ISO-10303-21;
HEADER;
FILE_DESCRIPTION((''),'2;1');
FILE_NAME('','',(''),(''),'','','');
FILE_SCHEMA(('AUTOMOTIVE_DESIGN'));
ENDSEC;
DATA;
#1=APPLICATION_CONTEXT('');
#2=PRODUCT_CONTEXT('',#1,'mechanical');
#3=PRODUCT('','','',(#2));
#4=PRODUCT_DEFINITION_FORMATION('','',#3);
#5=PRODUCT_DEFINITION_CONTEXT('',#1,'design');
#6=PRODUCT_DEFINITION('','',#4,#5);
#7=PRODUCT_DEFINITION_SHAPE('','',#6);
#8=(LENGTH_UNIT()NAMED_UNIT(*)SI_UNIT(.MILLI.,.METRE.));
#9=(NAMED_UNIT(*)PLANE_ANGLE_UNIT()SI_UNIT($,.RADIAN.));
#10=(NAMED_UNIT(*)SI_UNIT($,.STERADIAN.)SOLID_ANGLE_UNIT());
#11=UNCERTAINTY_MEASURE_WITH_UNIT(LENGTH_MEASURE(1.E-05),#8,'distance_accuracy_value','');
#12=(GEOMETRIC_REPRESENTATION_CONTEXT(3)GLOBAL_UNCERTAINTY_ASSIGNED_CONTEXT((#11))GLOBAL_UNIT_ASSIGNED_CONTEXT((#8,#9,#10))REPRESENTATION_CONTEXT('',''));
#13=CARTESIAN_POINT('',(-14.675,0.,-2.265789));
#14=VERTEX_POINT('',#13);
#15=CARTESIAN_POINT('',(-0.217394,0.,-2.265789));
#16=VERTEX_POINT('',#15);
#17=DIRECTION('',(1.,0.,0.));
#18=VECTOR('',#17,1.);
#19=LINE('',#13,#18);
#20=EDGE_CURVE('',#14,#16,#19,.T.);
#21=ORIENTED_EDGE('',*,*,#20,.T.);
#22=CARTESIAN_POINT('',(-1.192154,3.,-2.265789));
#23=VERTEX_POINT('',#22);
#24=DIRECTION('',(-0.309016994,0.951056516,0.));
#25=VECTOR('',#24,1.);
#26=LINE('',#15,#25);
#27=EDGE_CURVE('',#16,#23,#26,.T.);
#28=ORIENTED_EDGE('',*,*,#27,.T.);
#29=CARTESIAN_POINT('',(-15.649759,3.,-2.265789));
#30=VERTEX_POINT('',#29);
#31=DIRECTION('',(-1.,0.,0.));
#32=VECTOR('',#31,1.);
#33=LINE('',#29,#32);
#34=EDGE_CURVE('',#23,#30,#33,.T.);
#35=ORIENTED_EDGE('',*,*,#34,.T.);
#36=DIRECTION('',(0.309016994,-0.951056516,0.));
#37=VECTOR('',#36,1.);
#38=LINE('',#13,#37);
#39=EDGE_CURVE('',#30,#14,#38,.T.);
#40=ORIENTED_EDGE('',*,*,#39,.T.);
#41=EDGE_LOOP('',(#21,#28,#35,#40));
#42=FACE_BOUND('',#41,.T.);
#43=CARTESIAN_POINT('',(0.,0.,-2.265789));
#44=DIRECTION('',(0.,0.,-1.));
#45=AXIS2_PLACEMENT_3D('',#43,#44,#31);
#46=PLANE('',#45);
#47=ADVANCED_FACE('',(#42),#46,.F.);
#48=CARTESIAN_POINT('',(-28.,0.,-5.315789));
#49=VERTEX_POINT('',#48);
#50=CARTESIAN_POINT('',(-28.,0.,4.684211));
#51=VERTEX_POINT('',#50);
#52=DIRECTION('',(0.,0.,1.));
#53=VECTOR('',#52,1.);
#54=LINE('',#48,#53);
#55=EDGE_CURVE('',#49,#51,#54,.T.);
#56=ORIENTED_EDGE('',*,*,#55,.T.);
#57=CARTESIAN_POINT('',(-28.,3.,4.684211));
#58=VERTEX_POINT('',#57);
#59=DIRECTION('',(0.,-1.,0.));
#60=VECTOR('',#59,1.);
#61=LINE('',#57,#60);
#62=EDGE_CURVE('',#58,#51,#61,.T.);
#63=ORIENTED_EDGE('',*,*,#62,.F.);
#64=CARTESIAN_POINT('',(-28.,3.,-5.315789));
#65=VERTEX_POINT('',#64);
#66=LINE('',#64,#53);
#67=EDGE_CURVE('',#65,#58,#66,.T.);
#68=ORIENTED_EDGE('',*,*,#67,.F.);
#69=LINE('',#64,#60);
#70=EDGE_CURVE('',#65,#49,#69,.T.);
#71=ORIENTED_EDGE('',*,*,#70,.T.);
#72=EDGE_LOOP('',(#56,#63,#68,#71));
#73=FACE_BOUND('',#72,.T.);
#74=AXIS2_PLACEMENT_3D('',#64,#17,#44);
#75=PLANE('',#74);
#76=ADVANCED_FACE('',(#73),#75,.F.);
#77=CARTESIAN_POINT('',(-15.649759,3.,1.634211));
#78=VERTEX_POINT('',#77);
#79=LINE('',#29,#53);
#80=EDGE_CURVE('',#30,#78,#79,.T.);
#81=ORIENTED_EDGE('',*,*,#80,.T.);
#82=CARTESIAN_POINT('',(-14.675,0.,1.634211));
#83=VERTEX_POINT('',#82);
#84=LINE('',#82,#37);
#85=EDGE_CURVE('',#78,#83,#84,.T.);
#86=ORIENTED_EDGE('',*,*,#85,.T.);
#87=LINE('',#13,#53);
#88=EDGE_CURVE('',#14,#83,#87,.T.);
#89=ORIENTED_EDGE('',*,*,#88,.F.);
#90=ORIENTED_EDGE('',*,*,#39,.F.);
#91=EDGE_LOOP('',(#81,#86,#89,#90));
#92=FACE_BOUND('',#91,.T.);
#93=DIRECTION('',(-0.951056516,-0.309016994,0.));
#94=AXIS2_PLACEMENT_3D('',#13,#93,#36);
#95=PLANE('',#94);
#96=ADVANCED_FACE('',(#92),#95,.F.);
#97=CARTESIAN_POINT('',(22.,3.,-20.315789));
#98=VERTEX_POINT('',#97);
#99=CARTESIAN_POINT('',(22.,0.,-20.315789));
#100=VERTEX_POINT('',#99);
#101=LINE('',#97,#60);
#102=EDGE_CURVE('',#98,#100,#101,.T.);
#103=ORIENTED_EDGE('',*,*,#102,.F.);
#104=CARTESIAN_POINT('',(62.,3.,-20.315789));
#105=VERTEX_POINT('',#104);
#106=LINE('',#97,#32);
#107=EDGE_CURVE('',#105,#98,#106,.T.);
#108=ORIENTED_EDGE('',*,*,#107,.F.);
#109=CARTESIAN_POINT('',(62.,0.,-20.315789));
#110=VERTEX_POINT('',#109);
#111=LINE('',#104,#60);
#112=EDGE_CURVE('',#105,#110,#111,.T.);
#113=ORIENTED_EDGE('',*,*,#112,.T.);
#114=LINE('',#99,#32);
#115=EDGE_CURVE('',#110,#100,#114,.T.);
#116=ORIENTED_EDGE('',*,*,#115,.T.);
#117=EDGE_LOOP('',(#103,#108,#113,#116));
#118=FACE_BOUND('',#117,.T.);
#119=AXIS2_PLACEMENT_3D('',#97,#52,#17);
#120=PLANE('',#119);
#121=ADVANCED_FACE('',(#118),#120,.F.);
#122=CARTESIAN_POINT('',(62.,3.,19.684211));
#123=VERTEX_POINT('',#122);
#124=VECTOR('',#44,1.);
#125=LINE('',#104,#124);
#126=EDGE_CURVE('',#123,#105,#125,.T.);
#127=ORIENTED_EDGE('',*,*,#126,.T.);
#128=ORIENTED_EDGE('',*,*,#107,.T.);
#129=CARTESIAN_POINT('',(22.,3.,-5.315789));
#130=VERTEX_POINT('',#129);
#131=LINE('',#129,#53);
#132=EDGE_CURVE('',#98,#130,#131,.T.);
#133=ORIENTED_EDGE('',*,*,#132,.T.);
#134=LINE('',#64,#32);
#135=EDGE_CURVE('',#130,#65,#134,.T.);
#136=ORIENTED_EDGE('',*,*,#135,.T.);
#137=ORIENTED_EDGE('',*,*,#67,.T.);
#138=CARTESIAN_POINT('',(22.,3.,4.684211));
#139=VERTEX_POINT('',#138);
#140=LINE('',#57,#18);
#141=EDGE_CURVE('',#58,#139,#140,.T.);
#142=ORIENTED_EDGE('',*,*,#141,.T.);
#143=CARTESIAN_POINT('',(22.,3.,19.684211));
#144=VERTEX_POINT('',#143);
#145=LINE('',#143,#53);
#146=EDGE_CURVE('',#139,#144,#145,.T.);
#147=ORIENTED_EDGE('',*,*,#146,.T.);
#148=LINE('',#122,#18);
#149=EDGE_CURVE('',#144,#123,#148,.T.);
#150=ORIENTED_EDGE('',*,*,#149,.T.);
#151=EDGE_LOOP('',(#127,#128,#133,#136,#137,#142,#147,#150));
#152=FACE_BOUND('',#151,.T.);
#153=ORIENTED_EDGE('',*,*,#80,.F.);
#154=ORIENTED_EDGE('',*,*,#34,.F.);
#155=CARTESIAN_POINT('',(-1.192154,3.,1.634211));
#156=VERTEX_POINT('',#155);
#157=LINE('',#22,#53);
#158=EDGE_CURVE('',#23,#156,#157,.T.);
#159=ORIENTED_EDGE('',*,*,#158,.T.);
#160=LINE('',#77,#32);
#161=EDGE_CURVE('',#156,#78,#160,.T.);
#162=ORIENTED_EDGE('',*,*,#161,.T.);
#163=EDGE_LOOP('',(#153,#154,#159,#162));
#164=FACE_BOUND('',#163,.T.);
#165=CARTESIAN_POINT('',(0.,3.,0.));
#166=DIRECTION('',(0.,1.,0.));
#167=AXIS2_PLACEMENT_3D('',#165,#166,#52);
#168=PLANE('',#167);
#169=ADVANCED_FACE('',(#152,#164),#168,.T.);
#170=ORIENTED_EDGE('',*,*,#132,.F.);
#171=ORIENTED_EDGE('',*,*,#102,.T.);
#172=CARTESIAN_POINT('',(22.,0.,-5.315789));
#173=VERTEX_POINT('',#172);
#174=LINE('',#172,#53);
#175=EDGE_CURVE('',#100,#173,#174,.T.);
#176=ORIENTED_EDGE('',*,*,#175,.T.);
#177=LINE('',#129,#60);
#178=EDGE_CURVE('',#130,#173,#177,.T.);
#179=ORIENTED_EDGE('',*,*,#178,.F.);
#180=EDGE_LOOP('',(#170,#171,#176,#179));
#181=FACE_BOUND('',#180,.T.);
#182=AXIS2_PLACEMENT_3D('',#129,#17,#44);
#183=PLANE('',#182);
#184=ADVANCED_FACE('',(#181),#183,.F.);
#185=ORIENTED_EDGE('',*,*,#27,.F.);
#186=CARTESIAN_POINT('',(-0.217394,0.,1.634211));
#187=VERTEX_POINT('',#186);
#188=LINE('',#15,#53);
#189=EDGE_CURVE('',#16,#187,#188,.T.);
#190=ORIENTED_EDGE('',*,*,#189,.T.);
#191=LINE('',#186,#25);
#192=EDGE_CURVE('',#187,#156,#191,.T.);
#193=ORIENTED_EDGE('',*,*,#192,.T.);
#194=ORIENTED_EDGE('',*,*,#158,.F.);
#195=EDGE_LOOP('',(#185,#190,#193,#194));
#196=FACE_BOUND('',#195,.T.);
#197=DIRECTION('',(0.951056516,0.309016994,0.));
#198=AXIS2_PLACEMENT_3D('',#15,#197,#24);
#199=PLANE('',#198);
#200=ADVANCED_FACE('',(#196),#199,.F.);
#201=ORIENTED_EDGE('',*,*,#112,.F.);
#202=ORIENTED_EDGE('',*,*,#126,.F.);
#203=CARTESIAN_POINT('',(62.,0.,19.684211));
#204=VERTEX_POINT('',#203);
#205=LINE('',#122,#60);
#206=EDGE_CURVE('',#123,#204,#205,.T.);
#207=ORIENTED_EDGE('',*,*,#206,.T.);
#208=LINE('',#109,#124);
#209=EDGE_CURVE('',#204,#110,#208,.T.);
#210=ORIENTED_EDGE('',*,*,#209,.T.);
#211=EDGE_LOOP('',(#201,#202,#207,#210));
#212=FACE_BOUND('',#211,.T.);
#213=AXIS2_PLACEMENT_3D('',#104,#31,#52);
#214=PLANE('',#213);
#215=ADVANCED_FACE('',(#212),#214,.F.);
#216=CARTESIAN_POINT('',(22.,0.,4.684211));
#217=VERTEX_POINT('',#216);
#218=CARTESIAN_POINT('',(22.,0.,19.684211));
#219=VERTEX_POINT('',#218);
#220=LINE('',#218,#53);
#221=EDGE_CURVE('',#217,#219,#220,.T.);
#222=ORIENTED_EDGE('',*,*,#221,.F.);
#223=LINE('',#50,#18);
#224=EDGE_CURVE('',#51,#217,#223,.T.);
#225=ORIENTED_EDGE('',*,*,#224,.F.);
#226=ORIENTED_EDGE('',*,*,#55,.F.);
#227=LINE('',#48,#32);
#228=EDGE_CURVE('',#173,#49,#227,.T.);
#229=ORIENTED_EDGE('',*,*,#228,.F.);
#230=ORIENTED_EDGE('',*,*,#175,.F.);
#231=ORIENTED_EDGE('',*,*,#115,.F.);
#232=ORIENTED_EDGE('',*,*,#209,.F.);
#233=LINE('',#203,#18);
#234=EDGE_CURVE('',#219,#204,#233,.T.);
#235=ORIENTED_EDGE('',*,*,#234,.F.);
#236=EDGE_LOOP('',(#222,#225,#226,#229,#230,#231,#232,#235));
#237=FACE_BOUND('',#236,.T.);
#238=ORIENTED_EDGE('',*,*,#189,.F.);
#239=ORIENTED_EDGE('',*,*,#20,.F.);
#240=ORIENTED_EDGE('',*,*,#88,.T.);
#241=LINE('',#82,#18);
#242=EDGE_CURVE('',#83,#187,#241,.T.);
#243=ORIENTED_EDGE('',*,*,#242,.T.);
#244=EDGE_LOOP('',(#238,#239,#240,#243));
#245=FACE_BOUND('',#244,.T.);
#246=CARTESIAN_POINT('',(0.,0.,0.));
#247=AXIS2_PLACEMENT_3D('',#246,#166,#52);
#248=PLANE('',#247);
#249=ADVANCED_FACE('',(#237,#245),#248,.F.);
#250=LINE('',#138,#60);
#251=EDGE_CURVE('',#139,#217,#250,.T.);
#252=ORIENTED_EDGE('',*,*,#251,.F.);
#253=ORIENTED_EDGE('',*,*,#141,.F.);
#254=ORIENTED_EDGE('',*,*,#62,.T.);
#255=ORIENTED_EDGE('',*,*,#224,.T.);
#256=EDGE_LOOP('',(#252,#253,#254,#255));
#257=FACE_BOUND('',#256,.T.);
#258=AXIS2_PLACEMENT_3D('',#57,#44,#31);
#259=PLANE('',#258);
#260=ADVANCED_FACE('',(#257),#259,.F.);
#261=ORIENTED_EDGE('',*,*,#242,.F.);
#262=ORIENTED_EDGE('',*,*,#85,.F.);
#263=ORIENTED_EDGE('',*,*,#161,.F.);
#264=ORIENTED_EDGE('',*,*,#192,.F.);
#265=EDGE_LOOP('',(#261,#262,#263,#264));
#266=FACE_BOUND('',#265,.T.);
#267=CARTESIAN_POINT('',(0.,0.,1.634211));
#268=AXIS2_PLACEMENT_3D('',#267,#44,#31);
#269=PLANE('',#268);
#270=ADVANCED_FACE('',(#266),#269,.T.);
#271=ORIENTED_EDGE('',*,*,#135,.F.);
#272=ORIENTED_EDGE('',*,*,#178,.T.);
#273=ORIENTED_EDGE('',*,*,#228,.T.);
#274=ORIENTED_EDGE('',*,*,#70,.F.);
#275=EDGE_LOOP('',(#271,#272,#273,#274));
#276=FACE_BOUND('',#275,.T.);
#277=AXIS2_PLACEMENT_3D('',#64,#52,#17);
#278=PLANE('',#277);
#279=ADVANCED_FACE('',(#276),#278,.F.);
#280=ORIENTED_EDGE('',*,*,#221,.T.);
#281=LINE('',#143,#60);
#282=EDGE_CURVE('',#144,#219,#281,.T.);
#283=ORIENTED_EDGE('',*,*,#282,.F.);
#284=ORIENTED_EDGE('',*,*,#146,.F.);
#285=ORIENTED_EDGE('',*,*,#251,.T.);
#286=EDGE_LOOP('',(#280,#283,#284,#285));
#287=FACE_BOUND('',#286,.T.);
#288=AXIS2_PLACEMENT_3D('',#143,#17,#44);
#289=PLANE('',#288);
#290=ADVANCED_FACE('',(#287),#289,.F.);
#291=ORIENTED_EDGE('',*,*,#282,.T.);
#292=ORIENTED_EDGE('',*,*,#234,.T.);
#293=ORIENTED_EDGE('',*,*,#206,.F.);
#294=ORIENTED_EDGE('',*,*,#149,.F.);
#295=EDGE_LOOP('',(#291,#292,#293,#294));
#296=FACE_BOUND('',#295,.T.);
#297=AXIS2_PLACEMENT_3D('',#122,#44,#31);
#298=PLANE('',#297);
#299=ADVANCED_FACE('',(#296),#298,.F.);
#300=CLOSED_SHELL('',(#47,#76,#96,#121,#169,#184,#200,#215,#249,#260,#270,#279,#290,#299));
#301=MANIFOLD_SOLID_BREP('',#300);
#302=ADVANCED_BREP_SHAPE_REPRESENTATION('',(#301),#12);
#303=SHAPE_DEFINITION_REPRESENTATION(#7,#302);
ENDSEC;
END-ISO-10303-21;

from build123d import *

# Parameters (mm, degrees)
EXTRUDE_1_DEPTH     = 3
CUT_EXTRUDE_START   = -5
CUT_EXTRUDE_1_DEPTH = 1.95


with BuildPart() as part:
    # 草圖1 → 填料-伸長1 (new body)
    with BuildSketch(Plane(origin=(0, 0, 0), x_dir=(1, 0, 0), z_dir=(0, 1, 0))):
        Polygon((22, 5.315789474), (22, 20.315789474), (62, 20.315789474), (62, -19.684210526), (22, -19.684210526), (22, -4.684210526), (-28, -4.684210526), (-28, 5.315789474), align=None)
    extrude(amount=EXTRUDE_1_DEPTH)

    # 草圖3 → 除料-伸長1 (cut, symmetric)
    with BuildSketch(Plane.XY.offset(4.684210526).offset(CUT_EXTRUDE_START)):
        Polygon((-15.649759089, 3), (-1.192153505, 3), (-0.217394417, 0), (-14.675, 0), align=None)
    extrude(amount=CUT_EXTRUDE_1_DEPTH, both=True, mode=Mode.SUBTRACT)


solid = part.part
